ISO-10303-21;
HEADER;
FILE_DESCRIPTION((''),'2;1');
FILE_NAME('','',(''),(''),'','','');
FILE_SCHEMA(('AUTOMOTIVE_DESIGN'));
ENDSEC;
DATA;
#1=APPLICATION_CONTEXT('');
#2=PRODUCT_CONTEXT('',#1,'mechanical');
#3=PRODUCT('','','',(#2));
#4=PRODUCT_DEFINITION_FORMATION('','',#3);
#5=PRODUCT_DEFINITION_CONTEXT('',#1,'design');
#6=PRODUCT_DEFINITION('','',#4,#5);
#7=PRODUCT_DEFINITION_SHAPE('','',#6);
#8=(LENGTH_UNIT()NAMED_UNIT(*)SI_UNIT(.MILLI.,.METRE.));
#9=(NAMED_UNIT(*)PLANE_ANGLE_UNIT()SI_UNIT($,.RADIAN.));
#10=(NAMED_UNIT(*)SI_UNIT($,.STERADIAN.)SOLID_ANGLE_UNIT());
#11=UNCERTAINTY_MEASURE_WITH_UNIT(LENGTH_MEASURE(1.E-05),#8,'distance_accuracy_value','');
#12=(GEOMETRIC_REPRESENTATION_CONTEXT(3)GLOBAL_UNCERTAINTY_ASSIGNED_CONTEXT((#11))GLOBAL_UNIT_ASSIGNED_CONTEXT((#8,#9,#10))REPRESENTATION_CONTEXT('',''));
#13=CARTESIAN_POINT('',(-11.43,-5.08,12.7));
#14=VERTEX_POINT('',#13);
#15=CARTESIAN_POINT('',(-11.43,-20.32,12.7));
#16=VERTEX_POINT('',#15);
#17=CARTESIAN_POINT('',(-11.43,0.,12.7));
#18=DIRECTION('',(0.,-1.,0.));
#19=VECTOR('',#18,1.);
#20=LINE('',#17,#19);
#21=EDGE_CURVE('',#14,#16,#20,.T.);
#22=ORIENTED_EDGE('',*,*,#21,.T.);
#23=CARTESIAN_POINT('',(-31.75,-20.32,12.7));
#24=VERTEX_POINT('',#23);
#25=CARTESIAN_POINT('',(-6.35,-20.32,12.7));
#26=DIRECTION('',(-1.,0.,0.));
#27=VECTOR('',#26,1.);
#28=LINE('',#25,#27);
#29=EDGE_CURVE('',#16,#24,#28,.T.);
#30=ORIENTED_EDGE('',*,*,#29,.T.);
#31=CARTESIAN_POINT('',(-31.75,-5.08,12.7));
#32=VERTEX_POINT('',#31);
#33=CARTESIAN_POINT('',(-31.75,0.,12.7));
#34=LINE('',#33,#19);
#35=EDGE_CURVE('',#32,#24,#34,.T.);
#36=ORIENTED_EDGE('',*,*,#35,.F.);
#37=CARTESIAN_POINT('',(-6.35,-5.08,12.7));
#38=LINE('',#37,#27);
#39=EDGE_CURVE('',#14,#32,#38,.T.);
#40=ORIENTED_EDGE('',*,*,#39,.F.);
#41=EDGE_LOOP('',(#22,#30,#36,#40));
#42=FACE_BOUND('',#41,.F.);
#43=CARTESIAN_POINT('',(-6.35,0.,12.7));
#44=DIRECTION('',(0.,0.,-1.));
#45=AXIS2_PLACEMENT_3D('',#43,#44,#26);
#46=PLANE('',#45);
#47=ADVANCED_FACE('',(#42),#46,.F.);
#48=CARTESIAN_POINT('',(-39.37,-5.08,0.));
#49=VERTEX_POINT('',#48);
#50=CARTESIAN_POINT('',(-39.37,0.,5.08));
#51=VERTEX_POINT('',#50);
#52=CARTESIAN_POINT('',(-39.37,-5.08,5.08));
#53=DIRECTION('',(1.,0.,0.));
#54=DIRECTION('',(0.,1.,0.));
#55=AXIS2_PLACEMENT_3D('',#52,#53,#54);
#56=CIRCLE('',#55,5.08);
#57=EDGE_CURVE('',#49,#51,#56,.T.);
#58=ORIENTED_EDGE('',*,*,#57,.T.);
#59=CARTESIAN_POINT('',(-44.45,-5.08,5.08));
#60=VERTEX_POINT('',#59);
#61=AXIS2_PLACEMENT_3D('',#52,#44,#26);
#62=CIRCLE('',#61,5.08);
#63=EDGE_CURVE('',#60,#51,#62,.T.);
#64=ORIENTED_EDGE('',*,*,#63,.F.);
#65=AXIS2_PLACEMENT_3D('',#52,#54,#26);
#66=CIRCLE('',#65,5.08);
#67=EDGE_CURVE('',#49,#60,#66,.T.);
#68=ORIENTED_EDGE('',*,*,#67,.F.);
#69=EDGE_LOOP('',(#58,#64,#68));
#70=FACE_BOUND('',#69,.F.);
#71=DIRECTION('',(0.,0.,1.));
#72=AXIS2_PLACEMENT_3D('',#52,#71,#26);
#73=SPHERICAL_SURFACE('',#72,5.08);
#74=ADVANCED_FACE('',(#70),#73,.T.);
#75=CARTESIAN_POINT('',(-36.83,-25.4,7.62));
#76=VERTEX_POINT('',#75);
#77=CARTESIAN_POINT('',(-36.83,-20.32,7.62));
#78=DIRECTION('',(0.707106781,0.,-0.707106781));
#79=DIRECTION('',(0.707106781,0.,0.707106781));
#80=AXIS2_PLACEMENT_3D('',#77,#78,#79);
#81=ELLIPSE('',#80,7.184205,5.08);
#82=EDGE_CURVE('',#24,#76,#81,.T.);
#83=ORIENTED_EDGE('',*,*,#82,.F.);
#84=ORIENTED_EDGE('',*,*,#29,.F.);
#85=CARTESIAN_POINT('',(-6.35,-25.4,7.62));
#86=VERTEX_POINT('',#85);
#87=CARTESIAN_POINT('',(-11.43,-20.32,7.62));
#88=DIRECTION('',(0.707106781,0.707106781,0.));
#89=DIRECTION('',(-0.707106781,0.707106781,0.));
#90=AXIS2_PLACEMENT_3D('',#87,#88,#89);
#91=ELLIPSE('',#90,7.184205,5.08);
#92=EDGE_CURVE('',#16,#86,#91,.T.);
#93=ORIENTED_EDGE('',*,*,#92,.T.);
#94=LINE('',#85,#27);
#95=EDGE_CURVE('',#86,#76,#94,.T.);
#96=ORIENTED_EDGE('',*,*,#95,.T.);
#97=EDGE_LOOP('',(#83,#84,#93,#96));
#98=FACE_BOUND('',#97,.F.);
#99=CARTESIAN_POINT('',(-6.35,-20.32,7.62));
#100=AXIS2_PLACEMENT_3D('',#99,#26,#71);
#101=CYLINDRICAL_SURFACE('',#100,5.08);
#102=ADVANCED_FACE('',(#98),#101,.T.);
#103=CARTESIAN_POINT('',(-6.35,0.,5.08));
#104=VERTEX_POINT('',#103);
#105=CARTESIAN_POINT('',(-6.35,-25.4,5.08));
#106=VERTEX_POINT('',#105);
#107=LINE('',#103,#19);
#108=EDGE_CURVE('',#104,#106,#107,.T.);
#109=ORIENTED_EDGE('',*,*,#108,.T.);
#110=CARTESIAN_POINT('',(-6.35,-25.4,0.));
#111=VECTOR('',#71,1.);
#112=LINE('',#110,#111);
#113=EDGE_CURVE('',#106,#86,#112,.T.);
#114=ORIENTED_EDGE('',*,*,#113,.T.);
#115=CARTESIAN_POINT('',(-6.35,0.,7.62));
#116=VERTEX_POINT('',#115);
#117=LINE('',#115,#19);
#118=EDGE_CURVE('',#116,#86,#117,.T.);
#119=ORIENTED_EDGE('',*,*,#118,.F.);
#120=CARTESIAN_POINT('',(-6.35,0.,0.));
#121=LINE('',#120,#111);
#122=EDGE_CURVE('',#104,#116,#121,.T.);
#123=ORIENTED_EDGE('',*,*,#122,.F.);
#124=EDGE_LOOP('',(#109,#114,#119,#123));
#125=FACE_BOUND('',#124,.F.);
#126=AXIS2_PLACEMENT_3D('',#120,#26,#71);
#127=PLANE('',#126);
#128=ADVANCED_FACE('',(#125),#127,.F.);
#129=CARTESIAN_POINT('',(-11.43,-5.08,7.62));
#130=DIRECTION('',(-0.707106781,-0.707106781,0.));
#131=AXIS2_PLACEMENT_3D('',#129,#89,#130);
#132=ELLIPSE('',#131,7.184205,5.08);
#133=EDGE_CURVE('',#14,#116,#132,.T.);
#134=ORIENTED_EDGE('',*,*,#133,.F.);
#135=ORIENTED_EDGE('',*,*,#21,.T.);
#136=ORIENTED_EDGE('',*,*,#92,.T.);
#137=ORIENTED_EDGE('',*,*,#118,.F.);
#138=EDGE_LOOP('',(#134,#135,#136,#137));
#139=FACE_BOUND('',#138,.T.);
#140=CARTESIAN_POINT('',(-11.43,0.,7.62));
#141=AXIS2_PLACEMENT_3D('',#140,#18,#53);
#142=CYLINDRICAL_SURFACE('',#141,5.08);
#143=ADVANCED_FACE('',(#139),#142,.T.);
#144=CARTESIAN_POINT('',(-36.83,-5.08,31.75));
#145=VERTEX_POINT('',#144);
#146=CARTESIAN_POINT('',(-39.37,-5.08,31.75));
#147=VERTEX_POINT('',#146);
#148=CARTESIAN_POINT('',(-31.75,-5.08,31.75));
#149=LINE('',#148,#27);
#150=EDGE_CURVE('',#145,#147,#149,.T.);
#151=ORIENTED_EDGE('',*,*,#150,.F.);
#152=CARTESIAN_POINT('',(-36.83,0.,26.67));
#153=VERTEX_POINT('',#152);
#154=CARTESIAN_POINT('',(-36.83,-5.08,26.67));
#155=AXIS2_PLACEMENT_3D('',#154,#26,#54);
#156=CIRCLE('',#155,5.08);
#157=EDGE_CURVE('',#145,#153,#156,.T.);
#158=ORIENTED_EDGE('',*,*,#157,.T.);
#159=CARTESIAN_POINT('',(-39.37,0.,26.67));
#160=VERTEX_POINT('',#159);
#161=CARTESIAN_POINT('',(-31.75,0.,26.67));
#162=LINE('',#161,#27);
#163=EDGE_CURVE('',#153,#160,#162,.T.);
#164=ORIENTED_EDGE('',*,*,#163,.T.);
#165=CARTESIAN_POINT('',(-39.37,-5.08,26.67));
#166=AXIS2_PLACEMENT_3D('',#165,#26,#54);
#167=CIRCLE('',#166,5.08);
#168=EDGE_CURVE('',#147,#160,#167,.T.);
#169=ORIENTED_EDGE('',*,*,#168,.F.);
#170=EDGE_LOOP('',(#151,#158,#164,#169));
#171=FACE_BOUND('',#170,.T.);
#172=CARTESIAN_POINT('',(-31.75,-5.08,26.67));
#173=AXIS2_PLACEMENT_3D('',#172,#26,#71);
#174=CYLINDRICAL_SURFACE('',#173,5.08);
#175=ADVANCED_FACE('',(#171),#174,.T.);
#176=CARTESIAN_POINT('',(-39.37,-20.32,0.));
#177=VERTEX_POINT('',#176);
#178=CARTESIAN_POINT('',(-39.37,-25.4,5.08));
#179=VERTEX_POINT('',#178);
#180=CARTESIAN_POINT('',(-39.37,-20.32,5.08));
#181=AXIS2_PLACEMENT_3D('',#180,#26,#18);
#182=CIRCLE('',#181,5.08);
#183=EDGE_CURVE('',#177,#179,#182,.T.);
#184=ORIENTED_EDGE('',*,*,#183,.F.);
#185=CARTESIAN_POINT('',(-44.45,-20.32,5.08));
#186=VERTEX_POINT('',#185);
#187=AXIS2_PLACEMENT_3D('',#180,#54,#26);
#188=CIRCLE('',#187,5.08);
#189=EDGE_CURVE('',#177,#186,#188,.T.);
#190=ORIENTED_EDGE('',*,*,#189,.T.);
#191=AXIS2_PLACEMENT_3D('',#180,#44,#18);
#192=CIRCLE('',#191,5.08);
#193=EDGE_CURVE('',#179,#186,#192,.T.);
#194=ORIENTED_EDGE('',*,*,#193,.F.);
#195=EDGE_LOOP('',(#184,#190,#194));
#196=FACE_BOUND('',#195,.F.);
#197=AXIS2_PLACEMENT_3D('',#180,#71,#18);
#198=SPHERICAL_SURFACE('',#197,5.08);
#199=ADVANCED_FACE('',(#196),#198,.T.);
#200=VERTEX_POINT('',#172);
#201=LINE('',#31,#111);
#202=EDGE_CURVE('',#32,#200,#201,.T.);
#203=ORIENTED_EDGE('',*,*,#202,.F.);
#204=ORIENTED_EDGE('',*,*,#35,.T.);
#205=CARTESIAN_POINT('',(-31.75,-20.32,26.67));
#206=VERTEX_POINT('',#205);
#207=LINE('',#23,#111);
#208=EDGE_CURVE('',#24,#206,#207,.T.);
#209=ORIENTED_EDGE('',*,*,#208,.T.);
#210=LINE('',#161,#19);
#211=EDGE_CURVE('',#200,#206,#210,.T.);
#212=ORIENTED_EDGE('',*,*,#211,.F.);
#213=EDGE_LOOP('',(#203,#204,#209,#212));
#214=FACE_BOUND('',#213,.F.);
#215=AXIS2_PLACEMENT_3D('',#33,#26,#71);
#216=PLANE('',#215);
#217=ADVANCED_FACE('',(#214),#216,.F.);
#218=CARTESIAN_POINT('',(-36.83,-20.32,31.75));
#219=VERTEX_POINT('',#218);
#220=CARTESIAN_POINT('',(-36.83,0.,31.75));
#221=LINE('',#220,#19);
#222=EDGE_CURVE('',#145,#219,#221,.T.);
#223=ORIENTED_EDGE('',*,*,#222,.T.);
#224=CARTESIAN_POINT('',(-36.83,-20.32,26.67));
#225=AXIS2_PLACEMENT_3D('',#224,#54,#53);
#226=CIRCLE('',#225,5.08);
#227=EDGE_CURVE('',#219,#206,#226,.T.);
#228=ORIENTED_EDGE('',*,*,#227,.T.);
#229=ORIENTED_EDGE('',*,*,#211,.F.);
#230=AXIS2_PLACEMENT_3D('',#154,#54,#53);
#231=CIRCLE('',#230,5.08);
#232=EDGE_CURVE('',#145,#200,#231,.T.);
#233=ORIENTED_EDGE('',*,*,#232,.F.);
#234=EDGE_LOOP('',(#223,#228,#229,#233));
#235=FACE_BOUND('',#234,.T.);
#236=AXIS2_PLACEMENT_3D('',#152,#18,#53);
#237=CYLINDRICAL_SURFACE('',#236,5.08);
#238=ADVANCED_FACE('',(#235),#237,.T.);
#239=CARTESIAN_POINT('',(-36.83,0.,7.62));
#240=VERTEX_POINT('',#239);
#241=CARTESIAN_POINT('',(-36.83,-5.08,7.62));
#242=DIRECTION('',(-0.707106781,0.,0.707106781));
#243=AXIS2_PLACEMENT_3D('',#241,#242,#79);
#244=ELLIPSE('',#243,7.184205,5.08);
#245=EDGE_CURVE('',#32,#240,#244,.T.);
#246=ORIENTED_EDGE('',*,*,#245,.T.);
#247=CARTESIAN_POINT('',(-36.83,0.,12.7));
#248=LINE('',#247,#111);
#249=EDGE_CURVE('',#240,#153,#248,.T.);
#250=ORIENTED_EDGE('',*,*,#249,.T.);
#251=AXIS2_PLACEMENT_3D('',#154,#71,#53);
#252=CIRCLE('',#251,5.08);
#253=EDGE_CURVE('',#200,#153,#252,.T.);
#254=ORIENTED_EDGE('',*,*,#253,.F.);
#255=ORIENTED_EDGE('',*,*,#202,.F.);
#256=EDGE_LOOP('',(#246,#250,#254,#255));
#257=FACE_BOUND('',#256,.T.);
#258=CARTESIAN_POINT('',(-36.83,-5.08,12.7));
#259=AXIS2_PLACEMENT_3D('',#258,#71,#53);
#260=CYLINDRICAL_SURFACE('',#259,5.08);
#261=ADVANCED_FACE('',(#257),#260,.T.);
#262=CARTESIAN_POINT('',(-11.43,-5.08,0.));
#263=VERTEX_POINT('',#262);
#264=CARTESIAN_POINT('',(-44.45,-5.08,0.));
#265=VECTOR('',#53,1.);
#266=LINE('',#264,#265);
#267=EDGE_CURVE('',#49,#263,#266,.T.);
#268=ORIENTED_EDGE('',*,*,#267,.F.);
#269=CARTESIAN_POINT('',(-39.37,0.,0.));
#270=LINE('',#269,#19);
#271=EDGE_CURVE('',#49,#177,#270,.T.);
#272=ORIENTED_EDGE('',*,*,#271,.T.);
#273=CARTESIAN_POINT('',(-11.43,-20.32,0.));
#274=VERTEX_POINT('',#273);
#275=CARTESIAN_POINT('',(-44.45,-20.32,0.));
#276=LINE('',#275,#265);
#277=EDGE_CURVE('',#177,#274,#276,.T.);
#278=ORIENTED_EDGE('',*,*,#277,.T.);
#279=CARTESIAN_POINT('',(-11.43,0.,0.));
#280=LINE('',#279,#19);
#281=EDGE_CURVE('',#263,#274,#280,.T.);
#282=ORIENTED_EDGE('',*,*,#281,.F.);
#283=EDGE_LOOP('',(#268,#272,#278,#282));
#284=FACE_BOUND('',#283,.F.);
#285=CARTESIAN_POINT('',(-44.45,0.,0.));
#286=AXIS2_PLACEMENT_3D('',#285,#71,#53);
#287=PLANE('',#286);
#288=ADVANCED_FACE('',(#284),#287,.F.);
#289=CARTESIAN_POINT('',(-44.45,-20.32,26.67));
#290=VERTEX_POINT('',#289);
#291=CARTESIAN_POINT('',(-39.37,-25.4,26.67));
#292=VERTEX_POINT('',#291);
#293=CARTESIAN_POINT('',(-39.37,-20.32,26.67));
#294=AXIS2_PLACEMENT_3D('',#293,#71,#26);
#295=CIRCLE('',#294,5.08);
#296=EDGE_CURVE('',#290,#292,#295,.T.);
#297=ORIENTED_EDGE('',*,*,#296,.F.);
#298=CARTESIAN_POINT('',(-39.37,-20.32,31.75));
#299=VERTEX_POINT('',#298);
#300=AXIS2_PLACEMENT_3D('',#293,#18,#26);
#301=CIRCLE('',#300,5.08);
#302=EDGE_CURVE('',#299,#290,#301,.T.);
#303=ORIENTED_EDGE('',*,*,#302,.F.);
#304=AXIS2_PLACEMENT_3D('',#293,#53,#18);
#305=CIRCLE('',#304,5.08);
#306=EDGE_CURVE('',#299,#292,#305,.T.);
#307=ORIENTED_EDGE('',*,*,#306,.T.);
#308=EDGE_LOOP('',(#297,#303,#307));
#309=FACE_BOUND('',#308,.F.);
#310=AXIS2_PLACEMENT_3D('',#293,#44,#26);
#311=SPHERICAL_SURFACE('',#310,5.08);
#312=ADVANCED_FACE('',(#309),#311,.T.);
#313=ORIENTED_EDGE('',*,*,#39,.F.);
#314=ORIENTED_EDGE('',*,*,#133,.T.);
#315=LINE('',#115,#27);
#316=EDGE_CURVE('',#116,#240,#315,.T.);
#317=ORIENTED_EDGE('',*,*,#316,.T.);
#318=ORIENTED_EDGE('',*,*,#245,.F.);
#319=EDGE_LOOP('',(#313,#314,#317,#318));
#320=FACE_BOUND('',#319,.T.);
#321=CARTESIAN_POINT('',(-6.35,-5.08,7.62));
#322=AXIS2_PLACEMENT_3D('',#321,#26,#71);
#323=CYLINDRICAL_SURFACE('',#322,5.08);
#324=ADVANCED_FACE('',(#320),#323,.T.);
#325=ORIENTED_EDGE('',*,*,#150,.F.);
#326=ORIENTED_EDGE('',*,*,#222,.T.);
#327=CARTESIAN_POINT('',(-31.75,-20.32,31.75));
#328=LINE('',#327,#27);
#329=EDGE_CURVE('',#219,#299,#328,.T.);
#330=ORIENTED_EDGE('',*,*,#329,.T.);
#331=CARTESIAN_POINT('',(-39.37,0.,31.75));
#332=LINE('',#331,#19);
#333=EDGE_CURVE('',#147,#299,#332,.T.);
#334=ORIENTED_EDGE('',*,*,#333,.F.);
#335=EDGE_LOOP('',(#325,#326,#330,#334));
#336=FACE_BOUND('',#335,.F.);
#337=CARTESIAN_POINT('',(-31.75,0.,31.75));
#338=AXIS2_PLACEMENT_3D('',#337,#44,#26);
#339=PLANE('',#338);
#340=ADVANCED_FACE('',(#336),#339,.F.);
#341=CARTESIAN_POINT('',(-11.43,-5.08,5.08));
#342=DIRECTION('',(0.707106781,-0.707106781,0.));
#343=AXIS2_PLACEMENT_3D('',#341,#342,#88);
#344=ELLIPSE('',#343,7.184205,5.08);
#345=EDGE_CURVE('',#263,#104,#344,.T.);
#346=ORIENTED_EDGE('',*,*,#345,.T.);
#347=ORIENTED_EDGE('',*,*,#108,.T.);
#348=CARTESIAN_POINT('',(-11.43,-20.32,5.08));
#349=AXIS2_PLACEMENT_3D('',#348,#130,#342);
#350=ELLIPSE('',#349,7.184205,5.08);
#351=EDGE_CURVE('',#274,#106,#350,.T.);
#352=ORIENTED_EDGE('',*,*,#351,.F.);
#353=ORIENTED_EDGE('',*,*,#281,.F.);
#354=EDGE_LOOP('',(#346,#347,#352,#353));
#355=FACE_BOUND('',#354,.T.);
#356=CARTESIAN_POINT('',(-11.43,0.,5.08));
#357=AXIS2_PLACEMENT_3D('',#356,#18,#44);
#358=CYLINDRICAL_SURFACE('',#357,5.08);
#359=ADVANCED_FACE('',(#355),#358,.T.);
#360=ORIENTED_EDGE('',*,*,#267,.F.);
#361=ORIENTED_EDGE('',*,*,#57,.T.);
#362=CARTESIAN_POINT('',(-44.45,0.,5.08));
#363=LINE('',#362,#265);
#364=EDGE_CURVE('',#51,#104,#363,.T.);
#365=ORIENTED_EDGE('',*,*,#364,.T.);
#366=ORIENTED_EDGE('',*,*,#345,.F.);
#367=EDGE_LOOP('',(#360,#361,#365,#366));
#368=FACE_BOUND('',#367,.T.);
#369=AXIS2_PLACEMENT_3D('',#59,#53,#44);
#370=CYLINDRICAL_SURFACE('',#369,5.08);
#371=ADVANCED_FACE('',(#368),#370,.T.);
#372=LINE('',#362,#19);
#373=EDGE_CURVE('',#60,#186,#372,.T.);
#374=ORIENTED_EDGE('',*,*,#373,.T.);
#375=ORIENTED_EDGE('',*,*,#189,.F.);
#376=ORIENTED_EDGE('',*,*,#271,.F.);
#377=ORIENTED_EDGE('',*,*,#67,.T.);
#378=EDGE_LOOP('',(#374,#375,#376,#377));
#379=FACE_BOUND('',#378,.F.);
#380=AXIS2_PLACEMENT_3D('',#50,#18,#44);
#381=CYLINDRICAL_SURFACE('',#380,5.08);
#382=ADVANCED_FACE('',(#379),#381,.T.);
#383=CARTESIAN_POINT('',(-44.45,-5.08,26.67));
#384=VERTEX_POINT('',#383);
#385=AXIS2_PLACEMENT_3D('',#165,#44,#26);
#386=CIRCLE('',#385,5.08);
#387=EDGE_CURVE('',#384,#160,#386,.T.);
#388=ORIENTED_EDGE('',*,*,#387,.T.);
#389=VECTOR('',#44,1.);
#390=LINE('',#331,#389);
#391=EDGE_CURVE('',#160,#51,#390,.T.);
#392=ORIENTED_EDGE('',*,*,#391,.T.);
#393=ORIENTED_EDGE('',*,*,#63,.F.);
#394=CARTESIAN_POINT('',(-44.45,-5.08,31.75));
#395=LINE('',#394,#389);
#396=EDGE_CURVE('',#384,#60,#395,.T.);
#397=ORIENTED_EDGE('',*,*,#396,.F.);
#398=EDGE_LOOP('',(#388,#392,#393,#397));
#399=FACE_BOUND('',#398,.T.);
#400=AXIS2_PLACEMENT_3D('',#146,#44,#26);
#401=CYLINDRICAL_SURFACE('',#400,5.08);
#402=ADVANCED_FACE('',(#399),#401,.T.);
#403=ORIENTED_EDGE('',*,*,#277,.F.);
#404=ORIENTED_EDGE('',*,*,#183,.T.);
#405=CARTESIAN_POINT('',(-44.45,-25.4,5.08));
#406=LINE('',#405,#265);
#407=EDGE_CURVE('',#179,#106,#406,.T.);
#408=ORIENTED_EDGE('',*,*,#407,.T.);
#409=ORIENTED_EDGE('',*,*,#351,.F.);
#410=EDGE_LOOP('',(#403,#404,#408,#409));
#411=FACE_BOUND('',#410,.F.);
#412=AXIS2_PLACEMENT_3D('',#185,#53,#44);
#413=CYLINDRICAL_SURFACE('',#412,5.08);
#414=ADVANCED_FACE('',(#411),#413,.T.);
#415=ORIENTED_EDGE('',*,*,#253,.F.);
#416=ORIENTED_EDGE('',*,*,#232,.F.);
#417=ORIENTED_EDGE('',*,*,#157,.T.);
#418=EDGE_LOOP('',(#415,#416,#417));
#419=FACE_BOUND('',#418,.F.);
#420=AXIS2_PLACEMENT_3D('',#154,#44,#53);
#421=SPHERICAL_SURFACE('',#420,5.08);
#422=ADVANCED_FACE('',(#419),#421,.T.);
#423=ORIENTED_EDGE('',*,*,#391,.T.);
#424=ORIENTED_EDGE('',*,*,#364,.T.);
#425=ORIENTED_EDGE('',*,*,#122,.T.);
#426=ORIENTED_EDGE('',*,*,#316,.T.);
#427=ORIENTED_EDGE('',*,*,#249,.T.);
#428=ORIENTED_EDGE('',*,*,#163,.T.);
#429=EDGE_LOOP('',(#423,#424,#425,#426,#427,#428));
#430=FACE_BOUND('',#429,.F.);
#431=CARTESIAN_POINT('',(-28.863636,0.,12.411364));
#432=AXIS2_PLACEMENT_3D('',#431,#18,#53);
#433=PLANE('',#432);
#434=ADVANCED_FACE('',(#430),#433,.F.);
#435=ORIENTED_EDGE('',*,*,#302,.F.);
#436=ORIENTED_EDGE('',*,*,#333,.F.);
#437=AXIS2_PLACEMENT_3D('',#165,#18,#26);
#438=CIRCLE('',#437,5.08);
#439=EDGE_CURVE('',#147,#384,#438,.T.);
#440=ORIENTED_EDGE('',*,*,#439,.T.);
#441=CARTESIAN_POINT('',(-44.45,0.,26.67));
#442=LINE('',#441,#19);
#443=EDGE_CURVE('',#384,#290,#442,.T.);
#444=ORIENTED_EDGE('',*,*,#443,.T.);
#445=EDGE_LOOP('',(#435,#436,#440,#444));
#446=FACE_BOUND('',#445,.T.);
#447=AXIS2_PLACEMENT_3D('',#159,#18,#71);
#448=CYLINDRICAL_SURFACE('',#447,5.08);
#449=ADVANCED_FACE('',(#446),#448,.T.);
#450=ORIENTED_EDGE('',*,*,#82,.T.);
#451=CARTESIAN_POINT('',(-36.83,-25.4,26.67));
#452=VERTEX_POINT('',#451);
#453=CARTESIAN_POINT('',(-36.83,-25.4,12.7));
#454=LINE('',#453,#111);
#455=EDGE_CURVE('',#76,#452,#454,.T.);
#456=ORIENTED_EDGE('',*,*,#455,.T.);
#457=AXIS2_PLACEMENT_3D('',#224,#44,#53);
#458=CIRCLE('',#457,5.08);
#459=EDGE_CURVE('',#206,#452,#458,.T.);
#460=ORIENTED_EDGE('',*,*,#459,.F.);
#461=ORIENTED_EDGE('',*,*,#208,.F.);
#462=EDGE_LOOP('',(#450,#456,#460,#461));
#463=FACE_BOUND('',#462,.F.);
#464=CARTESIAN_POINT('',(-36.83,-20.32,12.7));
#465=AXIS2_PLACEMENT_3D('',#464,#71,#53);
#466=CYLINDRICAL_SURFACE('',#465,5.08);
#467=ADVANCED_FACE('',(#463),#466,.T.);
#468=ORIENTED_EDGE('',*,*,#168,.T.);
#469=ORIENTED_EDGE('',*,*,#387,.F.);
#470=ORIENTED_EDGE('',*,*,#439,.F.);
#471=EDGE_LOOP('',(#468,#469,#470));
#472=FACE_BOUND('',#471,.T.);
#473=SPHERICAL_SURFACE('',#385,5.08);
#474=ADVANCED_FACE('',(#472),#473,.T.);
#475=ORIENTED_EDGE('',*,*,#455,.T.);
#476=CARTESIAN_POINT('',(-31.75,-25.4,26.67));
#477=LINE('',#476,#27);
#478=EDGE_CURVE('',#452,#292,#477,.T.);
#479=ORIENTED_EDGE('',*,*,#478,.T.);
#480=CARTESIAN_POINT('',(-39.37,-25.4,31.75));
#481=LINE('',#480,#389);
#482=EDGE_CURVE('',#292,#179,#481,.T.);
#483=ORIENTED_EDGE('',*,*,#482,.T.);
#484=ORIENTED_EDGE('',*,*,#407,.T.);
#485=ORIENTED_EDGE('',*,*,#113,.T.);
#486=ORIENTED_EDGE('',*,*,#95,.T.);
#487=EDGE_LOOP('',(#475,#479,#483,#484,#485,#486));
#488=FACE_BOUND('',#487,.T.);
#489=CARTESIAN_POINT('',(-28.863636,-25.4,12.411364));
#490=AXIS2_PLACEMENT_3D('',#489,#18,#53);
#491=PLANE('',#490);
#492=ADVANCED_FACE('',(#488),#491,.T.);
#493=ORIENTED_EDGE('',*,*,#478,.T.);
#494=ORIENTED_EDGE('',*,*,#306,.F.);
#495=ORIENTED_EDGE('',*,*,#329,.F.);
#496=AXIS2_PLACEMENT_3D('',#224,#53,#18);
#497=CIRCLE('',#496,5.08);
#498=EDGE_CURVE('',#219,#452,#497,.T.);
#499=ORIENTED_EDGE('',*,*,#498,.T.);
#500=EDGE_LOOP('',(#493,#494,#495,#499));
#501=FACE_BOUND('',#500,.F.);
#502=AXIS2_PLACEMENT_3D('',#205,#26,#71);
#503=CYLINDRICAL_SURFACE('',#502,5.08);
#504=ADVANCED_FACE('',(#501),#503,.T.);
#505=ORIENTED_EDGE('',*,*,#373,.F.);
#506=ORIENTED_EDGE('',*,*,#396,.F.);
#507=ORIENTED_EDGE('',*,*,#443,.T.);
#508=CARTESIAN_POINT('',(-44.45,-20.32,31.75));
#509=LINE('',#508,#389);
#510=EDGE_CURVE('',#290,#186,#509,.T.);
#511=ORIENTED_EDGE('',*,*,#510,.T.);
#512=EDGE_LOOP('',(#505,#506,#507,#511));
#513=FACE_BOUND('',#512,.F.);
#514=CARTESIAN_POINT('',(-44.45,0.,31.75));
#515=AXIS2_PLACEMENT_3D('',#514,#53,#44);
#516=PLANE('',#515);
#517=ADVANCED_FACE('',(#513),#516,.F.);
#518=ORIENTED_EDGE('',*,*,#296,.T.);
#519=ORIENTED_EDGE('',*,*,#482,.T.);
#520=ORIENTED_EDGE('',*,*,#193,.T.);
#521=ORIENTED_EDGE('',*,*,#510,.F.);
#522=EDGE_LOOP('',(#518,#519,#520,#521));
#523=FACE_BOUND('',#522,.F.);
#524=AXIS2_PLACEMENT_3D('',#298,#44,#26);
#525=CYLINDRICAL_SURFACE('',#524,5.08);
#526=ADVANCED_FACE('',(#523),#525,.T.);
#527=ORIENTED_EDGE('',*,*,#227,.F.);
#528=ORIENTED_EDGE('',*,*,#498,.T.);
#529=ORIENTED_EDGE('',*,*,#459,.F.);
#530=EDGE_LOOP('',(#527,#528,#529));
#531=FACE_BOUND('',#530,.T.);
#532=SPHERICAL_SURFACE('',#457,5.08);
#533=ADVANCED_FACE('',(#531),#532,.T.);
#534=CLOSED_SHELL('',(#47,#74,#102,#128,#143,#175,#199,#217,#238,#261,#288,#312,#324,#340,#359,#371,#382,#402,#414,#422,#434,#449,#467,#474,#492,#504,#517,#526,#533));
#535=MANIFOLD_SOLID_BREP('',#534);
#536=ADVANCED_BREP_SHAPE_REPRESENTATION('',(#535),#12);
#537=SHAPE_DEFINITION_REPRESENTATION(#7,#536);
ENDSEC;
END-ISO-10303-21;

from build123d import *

# Parameters (mm, degrees)
F1_DEPTH = 25.4
F2_R     = 5.08


with BuildPart() as f1:
    # F0 (on Front) → F1 (new body)
    with BuildSketch(Plane.XZ):
        Polygon((-44.45, 0), (-41.101819, 0), (-6.35, 0), (-6.35, 12.7), (-31.75, 12.7), (-31.75, 31.75), (-44.45, 31.75), align=None)
    extrude(amount=F1_DEPTH)

    # F2
    f2_edges = [f1.edges().sort_by_distance(p)[0] for p in [
        (-44.45, -25.4, 15.875),
        (-31.75, -25.4, 22.225),
        (-19.05, -25.4, 12.7),
        (-44.45, 0, 15.875),
        (-31.75, 0, 22.225),
        (-19.05, 0, 12.7),
        (-6.35, -12.7, 12.7),
        (-25.4, -25.4, 0),
        (-44.45, -12.7, 0),
        (-25.4, 0, 0),
        (-6.35, -12.7, 0),
        (-31.75, -12.7, 31.75),
        (-44.45, -12.7, 31.75),
        (-38.1, 0, 31.75),
        (-38.1, -25.4, 31.75),
    ]]
    fillet(f2_edges, radius=F2_R)


solid = f1.part
